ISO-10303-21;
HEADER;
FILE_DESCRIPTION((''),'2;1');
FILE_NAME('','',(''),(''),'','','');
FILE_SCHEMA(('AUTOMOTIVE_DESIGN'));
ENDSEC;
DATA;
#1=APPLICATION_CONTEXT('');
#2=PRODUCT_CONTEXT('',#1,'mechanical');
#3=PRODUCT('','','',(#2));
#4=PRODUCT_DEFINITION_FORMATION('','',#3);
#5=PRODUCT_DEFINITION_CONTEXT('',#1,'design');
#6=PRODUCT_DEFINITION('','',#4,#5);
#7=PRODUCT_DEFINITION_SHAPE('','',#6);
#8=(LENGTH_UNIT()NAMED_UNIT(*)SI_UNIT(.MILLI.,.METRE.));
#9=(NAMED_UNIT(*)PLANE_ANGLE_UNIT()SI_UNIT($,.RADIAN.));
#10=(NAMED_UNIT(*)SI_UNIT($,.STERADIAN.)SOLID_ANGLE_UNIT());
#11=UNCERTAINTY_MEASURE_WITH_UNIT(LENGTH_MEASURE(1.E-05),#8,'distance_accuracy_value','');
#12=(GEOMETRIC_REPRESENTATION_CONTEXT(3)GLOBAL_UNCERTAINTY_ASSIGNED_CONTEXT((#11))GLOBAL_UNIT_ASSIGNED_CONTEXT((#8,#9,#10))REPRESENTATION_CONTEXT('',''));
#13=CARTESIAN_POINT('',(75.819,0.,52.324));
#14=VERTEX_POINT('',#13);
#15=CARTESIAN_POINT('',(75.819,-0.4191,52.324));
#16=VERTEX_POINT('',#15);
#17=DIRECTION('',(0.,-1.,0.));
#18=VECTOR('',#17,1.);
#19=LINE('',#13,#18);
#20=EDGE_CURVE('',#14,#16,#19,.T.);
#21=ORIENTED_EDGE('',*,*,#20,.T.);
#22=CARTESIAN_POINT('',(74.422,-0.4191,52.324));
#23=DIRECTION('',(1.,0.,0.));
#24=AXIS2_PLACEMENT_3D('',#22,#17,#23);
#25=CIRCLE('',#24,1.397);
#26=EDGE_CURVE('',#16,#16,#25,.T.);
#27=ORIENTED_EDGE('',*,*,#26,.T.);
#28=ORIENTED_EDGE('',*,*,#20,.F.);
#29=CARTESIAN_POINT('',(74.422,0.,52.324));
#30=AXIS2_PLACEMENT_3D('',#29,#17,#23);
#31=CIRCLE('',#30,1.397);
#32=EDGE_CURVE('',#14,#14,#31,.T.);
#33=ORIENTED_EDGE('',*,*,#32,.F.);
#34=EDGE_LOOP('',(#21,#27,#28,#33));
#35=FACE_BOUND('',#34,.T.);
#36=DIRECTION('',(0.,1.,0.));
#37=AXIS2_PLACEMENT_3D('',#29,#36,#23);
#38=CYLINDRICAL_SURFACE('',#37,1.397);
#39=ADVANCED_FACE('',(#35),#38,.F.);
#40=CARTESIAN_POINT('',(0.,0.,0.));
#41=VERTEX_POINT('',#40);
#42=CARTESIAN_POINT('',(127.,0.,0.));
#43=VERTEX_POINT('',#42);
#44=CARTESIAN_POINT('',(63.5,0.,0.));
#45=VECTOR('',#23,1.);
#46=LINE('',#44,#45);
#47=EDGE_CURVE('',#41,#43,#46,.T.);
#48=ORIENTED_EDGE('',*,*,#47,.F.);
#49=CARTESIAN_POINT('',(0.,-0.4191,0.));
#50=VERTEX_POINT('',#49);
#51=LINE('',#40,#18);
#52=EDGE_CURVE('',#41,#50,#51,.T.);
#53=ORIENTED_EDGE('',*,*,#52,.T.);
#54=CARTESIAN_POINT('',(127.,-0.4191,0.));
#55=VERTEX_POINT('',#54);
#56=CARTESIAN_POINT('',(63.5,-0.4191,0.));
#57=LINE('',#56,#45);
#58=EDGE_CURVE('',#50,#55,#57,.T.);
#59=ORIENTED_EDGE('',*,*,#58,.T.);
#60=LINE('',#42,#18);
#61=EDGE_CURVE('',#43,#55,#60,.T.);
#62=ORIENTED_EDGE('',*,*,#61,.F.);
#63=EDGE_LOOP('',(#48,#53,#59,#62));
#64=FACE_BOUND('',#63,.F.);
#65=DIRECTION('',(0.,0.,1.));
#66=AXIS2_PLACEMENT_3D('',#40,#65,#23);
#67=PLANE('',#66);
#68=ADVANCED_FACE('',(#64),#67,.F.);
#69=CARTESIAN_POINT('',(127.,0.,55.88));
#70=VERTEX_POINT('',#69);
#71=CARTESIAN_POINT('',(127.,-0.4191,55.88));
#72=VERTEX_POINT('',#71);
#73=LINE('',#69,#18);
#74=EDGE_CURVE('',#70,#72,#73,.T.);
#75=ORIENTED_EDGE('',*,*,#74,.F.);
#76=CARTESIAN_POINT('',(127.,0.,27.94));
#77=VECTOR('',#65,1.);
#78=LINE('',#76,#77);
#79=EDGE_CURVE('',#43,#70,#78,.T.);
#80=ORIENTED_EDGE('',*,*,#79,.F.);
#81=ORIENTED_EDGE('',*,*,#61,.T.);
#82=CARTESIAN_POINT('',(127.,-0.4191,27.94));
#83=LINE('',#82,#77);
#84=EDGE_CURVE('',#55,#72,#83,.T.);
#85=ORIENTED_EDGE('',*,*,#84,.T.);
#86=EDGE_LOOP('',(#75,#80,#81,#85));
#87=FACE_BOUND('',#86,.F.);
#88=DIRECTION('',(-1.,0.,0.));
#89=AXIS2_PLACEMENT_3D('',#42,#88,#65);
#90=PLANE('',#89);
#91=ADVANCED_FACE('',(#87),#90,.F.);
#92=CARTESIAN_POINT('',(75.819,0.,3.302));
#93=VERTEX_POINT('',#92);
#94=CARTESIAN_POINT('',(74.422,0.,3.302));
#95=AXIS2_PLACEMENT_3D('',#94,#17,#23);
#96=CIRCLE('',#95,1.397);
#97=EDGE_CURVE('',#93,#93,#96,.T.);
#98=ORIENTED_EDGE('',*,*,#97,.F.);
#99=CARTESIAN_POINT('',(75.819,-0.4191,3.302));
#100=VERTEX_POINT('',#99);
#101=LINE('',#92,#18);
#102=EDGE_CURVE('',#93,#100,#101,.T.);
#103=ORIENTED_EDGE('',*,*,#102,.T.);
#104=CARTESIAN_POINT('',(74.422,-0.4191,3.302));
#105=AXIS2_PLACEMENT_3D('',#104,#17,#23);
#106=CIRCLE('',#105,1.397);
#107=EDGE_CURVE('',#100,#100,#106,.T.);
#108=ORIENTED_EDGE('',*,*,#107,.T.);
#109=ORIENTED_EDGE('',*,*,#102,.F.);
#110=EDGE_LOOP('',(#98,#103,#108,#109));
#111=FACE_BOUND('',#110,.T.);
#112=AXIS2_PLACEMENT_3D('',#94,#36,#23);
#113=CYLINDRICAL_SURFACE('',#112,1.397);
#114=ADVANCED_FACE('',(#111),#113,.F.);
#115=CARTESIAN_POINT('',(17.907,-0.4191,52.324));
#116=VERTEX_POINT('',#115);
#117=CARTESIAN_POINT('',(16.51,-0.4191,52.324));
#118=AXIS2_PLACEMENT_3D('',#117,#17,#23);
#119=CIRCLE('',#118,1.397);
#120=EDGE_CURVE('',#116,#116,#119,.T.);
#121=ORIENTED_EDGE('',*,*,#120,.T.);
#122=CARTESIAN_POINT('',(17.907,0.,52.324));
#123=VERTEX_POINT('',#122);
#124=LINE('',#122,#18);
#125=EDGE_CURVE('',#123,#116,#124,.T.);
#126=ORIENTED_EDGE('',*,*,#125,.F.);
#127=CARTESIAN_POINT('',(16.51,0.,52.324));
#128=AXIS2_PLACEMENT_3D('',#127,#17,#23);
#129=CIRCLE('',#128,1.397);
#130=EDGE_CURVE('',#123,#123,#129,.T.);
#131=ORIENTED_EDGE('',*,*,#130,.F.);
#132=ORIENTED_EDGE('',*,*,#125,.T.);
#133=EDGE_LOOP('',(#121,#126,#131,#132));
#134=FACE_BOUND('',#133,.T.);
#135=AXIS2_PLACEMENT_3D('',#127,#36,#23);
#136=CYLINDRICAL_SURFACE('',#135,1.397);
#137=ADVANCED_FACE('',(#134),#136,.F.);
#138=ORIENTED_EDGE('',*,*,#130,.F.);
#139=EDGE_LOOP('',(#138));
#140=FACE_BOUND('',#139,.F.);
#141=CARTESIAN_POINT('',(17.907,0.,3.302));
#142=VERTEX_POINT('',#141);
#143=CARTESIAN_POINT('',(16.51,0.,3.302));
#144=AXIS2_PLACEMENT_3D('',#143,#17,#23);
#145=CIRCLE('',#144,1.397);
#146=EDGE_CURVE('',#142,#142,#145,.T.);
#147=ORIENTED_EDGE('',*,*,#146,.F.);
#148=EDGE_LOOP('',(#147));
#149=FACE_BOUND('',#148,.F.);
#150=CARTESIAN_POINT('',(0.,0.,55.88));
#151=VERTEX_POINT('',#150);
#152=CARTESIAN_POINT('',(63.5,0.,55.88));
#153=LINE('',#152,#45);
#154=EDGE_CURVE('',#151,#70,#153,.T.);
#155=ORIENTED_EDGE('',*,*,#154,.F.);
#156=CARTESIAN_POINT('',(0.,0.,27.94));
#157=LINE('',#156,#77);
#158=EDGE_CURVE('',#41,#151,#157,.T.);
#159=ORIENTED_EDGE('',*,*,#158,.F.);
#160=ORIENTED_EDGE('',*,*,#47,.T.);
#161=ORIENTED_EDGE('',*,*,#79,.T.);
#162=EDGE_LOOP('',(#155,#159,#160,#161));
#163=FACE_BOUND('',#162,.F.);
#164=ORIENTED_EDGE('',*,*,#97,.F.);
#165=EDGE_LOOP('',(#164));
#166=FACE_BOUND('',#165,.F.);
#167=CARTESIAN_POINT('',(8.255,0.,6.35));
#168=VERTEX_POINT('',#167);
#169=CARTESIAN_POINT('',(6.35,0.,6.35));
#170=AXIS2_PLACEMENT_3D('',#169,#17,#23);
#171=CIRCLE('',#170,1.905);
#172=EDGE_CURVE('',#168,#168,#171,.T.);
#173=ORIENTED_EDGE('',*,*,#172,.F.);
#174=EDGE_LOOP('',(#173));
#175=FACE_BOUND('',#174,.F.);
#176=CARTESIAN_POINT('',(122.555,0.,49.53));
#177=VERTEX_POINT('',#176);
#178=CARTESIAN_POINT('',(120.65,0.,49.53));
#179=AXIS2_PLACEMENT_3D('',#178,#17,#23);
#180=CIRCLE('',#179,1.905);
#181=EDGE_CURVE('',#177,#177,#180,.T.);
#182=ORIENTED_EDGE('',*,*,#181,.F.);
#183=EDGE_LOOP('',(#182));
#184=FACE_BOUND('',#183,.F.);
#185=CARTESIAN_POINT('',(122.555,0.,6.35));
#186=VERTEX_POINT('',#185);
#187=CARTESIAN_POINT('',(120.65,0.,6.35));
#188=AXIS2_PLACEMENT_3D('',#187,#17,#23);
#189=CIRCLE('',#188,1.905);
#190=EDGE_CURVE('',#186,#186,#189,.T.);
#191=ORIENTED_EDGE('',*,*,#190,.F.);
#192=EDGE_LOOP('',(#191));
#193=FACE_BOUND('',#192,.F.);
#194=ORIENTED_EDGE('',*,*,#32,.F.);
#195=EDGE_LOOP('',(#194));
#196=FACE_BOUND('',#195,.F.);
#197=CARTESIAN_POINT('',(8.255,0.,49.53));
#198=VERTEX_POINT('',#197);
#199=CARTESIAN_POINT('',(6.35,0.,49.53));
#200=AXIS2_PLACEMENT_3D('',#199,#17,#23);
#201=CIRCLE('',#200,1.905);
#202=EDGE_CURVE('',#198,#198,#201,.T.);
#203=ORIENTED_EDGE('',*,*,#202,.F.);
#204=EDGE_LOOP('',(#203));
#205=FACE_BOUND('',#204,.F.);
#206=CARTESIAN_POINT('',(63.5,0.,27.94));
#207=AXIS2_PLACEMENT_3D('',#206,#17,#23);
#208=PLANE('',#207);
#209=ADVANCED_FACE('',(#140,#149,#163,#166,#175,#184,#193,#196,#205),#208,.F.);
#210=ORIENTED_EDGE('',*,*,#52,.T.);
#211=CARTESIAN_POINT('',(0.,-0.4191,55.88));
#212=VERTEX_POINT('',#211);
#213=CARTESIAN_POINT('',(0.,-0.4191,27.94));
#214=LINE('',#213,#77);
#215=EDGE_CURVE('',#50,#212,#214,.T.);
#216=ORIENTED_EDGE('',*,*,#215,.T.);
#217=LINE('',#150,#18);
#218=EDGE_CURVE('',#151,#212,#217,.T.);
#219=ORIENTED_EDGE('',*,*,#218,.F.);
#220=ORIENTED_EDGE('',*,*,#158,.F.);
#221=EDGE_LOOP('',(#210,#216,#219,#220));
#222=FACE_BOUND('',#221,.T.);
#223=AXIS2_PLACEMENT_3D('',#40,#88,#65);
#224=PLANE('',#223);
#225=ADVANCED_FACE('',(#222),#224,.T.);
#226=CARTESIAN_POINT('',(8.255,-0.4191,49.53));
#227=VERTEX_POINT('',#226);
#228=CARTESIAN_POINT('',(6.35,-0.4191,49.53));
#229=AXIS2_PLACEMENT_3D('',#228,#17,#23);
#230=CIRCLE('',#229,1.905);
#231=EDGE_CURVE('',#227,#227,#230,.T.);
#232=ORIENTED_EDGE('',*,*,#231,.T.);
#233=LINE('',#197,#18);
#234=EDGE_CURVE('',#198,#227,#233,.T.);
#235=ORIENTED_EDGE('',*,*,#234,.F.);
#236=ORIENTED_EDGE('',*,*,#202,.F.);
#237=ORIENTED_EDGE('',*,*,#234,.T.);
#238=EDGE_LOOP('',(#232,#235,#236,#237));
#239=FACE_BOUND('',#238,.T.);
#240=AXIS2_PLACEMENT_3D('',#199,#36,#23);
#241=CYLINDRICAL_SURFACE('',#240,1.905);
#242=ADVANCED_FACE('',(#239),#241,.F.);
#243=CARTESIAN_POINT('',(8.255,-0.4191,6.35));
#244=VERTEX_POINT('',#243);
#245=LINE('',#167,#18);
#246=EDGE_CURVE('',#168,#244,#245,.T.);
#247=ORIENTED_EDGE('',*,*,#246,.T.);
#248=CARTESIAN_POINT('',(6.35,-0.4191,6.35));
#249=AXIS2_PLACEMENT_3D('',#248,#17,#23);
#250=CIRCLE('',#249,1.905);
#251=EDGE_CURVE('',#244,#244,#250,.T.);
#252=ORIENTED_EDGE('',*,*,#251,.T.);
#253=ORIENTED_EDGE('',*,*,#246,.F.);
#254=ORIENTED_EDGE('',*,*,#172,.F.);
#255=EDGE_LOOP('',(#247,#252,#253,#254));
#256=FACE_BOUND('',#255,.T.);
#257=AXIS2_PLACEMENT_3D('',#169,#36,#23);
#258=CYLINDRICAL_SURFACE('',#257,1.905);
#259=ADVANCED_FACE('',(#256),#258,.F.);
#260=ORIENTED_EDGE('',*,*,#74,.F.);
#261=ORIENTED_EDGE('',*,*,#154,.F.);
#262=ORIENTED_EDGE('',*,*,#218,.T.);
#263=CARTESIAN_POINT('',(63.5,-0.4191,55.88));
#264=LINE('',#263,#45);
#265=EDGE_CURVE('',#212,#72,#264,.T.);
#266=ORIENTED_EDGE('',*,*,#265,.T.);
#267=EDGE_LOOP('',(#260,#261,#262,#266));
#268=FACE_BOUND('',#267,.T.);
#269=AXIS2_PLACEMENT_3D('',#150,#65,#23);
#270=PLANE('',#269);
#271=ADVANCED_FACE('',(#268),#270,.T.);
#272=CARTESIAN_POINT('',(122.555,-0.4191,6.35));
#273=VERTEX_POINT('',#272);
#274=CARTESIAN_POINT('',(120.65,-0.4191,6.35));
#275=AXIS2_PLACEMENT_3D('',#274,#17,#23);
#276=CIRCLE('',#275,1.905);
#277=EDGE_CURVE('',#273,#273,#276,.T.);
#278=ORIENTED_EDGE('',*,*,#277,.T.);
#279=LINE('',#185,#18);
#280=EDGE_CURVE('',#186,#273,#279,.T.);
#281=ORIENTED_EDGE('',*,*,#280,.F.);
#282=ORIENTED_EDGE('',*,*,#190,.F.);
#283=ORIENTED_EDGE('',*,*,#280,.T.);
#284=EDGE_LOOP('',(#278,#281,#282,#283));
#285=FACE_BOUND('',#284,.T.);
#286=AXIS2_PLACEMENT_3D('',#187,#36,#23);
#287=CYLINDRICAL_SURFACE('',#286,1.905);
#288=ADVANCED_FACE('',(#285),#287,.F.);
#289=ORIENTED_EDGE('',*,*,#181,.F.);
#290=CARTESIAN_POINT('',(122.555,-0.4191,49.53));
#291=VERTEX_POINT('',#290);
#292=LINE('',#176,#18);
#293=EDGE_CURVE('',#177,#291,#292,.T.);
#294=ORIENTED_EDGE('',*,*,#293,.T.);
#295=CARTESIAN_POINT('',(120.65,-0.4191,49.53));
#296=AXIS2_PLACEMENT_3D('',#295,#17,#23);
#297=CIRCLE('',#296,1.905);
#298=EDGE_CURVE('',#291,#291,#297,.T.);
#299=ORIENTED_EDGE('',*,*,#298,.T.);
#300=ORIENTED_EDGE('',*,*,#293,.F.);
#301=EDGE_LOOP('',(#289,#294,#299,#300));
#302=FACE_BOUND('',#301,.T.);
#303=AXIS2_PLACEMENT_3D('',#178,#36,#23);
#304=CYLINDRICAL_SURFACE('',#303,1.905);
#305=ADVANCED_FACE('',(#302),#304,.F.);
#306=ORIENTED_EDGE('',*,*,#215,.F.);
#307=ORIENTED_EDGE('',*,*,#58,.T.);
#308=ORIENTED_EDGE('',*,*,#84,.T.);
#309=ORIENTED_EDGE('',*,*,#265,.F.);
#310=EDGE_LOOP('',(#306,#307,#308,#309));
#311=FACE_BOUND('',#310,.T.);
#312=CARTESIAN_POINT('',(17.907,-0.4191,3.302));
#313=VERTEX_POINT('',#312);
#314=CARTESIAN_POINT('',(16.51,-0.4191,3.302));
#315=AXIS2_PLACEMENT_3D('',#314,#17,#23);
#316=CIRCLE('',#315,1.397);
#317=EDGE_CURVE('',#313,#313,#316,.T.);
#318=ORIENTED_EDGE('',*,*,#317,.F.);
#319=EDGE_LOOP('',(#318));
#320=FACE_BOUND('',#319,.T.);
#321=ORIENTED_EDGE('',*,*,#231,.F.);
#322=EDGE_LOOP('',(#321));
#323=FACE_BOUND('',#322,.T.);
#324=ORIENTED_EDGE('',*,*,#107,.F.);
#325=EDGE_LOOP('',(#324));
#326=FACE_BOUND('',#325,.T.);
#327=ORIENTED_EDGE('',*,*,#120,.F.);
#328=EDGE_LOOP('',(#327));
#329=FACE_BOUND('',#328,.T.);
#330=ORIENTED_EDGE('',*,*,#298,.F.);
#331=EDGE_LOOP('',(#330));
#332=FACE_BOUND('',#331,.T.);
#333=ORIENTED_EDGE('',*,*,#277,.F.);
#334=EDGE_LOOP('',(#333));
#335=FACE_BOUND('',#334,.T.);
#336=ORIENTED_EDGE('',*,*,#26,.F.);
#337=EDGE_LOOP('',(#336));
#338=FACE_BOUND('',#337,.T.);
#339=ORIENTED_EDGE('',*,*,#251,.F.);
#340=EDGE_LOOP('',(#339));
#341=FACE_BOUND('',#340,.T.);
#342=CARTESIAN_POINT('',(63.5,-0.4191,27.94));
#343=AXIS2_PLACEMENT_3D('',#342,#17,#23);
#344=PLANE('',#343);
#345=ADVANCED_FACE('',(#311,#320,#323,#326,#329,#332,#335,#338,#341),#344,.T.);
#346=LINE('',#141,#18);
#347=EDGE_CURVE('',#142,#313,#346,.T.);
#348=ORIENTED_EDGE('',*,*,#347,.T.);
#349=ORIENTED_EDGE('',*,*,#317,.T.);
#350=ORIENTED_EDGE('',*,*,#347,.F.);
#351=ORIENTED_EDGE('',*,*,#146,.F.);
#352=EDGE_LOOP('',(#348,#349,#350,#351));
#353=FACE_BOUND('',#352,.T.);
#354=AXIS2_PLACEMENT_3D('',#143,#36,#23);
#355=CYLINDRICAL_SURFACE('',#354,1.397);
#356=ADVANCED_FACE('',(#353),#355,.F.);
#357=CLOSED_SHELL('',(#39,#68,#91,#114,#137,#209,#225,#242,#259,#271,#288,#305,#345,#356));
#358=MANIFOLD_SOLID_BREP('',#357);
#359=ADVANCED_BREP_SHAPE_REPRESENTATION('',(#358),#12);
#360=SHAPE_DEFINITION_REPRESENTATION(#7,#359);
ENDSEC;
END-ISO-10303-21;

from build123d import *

# Parameters (mm, degrees)
F0_W     = 127
F0_H     = 55.88
F0_R     = 1.905
F0_R_2   = 1.397
F1_DEPTH = 0.4191


with BuildPart() as f1:
    # F0 (on Front) → F1 (new body)
    with BuildSketch(Plane.XZ):
        with Locations((63.5, 27.94)):
            Rectangle(F0_W, F0_H)
        with Locations((6.35, 6.35)):
            Circle(F0_R, mode=Mode.SUBTRACT)
        with Locations((16.51, 3.302)):
            Circle(F0_R_2, mode=Mode.SUBTRACT)
        with Locations((74.422, 3.302)):
            Circle(F0_R_2, mode=Mode.SUBTRACT)
        with Locations((120.65, 6.35)):
            Circle(F0_R, mode=Mode.SUBTRACT)
        with Locations((6.35, 49.53)):
            Circle(F0_R, mode=Mode.SUBTRACT)
        with Locations((16.51, 52.324)):
            Circle(F0_R_2, mode=Mode.SUBTRACT)
        with Locations((74.422, 52.324)):
            Circle(F0_R_2, mode=Mode.SUBTRACT)
        with Locations((120.65, 49.53)):
            Circle(F0_R, mode=Mode.SUBTRACT)
    extrude(amount=F1_DEPTH)


solid = f1.part
